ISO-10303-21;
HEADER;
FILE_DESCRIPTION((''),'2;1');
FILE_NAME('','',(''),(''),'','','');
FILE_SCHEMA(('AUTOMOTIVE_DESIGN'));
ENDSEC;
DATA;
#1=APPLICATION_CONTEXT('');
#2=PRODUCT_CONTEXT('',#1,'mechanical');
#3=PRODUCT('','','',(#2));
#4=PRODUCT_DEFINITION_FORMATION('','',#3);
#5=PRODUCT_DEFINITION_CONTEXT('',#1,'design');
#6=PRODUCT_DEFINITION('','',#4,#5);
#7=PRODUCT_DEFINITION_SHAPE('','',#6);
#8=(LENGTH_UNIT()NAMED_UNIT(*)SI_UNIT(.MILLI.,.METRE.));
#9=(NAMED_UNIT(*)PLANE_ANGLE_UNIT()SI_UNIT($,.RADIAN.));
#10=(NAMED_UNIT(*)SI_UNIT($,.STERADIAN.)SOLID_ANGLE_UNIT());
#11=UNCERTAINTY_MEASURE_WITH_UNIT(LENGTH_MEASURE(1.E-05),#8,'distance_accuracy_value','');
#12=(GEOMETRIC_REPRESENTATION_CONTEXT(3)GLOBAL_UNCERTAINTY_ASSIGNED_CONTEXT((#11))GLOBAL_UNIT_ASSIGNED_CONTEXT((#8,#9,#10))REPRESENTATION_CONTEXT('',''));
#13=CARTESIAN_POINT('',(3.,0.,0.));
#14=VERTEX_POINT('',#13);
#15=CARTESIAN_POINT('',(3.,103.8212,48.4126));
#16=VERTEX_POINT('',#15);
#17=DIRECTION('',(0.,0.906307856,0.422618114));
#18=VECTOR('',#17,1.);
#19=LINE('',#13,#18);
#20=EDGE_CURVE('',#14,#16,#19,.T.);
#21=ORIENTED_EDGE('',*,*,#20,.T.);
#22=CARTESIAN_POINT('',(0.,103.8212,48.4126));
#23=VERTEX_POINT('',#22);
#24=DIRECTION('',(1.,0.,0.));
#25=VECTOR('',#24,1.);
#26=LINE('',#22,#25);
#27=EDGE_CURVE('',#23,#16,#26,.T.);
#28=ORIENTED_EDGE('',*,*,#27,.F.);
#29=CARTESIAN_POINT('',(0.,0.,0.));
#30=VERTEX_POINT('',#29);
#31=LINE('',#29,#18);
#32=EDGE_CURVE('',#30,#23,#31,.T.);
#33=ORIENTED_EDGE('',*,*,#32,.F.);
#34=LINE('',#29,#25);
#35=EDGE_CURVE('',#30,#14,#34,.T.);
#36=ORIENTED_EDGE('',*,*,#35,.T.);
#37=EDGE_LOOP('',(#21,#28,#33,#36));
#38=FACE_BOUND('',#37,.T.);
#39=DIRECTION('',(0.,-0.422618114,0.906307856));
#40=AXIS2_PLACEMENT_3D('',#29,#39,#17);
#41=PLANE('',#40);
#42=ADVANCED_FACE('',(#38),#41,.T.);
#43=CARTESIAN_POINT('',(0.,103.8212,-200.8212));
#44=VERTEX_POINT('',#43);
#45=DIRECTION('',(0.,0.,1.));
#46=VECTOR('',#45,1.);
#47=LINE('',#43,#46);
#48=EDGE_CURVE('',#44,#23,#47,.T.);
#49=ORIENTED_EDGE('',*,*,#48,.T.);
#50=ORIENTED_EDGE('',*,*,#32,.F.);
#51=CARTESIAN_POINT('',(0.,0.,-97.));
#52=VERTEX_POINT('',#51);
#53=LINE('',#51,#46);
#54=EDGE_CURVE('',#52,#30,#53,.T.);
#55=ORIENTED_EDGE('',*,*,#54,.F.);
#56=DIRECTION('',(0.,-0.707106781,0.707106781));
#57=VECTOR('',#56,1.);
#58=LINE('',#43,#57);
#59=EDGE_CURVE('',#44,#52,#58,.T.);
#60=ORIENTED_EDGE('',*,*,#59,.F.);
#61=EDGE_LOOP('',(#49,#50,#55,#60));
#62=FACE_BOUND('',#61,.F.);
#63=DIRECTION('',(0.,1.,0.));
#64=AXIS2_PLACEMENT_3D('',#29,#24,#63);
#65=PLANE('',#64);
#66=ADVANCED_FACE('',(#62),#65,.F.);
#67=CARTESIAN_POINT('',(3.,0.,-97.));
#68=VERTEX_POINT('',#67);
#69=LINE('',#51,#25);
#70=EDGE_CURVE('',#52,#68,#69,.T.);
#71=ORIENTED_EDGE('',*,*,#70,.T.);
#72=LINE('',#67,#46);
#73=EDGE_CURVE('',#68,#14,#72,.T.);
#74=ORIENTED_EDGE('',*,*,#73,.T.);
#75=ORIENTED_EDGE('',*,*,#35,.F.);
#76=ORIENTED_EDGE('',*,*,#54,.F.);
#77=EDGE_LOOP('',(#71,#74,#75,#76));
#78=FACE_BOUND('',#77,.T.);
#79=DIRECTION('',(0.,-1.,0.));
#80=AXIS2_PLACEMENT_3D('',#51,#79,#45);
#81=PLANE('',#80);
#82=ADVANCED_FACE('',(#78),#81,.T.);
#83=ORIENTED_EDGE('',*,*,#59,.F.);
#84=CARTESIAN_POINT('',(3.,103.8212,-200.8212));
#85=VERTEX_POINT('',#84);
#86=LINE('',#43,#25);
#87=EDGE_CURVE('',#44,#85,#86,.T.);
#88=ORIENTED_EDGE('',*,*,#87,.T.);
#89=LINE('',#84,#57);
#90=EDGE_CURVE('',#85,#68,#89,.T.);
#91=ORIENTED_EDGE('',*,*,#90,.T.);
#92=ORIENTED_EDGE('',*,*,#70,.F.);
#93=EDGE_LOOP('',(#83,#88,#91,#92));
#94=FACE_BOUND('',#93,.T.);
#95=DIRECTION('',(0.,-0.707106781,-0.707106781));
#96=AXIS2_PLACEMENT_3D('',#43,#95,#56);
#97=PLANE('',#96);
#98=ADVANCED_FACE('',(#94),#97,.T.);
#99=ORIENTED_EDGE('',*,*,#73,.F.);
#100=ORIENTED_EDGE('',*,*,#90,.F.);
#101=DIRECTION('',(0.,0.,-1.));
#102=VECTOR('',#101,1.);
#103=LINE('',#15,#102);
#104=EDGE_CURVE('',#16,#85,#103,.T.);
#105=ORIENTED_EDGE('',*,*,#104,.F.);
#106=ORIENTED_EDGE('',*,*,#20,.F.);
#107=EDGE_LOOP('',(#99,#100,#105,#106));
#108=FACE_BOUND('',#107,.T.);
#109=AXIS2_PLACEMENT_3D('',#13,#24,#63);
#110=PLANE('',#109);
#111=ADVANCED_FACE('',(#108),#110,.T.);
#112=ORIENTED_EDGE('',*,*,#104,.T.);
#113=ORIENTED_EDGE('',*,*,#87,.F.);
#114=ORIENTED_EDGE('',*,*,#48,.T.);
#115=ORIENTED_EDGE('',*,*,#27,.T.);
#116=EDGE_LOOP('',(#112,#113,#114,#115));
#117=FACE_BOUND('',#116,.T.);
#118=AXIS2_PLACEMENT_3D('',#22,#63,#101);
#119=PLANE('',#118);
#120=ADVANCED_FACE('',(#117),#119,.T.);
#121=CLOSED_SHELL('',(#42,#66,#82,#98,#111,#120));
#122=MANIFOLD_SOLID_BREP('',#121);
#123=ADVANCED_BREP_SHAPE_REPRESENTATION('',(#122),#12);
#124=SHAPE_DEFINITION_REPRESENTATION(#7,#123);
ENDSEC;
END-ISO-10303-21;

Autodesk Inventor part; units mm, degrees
ref_plane "YZ Plane" through (0, 0, 0) normal (1, 0, 0) x (0, 1, 0)
ref_plane "XZ Plane" through (0, 0, 0) normal (0, 1, 0) x (-1, 0, 0)
ref_plane "XY Plane" through (0, 0, 0) normal (0, 0, 1) x (1, 0, 0)
sketch "Sketch1" plane through (0, 0, 0) normal (1, 0, 0) x (0, 1, 0)
  line L0 (0, 0) -> (103.8212, 0)
  line L1 (103.8212, 0) -> (103.8212, -97)
  line L2 (103.8212, -97) -> (0, -97)
  line L3 (0, -97) -> (0, 0)
  line L4 (0, 0) -> (103.8212, 48.4126)
  line L5 (103.8212, 48.4126) -> (103.8212, 0)
  line L6 (103.8212, -97) -> (103.8212, -200.8212)
  line L7 (103.8212, -200.8212) -> (0, -97)
  dimension "d0" = 97
  dimension "d1" = 114.554
  dimension "d2" = 45
  dimension "d3" = 25
extrude "Extrusion1" add sketch "Sketch1" along normal blind 3
properties part number "Flu-ExpansionSidesRS3" material "Steel"
